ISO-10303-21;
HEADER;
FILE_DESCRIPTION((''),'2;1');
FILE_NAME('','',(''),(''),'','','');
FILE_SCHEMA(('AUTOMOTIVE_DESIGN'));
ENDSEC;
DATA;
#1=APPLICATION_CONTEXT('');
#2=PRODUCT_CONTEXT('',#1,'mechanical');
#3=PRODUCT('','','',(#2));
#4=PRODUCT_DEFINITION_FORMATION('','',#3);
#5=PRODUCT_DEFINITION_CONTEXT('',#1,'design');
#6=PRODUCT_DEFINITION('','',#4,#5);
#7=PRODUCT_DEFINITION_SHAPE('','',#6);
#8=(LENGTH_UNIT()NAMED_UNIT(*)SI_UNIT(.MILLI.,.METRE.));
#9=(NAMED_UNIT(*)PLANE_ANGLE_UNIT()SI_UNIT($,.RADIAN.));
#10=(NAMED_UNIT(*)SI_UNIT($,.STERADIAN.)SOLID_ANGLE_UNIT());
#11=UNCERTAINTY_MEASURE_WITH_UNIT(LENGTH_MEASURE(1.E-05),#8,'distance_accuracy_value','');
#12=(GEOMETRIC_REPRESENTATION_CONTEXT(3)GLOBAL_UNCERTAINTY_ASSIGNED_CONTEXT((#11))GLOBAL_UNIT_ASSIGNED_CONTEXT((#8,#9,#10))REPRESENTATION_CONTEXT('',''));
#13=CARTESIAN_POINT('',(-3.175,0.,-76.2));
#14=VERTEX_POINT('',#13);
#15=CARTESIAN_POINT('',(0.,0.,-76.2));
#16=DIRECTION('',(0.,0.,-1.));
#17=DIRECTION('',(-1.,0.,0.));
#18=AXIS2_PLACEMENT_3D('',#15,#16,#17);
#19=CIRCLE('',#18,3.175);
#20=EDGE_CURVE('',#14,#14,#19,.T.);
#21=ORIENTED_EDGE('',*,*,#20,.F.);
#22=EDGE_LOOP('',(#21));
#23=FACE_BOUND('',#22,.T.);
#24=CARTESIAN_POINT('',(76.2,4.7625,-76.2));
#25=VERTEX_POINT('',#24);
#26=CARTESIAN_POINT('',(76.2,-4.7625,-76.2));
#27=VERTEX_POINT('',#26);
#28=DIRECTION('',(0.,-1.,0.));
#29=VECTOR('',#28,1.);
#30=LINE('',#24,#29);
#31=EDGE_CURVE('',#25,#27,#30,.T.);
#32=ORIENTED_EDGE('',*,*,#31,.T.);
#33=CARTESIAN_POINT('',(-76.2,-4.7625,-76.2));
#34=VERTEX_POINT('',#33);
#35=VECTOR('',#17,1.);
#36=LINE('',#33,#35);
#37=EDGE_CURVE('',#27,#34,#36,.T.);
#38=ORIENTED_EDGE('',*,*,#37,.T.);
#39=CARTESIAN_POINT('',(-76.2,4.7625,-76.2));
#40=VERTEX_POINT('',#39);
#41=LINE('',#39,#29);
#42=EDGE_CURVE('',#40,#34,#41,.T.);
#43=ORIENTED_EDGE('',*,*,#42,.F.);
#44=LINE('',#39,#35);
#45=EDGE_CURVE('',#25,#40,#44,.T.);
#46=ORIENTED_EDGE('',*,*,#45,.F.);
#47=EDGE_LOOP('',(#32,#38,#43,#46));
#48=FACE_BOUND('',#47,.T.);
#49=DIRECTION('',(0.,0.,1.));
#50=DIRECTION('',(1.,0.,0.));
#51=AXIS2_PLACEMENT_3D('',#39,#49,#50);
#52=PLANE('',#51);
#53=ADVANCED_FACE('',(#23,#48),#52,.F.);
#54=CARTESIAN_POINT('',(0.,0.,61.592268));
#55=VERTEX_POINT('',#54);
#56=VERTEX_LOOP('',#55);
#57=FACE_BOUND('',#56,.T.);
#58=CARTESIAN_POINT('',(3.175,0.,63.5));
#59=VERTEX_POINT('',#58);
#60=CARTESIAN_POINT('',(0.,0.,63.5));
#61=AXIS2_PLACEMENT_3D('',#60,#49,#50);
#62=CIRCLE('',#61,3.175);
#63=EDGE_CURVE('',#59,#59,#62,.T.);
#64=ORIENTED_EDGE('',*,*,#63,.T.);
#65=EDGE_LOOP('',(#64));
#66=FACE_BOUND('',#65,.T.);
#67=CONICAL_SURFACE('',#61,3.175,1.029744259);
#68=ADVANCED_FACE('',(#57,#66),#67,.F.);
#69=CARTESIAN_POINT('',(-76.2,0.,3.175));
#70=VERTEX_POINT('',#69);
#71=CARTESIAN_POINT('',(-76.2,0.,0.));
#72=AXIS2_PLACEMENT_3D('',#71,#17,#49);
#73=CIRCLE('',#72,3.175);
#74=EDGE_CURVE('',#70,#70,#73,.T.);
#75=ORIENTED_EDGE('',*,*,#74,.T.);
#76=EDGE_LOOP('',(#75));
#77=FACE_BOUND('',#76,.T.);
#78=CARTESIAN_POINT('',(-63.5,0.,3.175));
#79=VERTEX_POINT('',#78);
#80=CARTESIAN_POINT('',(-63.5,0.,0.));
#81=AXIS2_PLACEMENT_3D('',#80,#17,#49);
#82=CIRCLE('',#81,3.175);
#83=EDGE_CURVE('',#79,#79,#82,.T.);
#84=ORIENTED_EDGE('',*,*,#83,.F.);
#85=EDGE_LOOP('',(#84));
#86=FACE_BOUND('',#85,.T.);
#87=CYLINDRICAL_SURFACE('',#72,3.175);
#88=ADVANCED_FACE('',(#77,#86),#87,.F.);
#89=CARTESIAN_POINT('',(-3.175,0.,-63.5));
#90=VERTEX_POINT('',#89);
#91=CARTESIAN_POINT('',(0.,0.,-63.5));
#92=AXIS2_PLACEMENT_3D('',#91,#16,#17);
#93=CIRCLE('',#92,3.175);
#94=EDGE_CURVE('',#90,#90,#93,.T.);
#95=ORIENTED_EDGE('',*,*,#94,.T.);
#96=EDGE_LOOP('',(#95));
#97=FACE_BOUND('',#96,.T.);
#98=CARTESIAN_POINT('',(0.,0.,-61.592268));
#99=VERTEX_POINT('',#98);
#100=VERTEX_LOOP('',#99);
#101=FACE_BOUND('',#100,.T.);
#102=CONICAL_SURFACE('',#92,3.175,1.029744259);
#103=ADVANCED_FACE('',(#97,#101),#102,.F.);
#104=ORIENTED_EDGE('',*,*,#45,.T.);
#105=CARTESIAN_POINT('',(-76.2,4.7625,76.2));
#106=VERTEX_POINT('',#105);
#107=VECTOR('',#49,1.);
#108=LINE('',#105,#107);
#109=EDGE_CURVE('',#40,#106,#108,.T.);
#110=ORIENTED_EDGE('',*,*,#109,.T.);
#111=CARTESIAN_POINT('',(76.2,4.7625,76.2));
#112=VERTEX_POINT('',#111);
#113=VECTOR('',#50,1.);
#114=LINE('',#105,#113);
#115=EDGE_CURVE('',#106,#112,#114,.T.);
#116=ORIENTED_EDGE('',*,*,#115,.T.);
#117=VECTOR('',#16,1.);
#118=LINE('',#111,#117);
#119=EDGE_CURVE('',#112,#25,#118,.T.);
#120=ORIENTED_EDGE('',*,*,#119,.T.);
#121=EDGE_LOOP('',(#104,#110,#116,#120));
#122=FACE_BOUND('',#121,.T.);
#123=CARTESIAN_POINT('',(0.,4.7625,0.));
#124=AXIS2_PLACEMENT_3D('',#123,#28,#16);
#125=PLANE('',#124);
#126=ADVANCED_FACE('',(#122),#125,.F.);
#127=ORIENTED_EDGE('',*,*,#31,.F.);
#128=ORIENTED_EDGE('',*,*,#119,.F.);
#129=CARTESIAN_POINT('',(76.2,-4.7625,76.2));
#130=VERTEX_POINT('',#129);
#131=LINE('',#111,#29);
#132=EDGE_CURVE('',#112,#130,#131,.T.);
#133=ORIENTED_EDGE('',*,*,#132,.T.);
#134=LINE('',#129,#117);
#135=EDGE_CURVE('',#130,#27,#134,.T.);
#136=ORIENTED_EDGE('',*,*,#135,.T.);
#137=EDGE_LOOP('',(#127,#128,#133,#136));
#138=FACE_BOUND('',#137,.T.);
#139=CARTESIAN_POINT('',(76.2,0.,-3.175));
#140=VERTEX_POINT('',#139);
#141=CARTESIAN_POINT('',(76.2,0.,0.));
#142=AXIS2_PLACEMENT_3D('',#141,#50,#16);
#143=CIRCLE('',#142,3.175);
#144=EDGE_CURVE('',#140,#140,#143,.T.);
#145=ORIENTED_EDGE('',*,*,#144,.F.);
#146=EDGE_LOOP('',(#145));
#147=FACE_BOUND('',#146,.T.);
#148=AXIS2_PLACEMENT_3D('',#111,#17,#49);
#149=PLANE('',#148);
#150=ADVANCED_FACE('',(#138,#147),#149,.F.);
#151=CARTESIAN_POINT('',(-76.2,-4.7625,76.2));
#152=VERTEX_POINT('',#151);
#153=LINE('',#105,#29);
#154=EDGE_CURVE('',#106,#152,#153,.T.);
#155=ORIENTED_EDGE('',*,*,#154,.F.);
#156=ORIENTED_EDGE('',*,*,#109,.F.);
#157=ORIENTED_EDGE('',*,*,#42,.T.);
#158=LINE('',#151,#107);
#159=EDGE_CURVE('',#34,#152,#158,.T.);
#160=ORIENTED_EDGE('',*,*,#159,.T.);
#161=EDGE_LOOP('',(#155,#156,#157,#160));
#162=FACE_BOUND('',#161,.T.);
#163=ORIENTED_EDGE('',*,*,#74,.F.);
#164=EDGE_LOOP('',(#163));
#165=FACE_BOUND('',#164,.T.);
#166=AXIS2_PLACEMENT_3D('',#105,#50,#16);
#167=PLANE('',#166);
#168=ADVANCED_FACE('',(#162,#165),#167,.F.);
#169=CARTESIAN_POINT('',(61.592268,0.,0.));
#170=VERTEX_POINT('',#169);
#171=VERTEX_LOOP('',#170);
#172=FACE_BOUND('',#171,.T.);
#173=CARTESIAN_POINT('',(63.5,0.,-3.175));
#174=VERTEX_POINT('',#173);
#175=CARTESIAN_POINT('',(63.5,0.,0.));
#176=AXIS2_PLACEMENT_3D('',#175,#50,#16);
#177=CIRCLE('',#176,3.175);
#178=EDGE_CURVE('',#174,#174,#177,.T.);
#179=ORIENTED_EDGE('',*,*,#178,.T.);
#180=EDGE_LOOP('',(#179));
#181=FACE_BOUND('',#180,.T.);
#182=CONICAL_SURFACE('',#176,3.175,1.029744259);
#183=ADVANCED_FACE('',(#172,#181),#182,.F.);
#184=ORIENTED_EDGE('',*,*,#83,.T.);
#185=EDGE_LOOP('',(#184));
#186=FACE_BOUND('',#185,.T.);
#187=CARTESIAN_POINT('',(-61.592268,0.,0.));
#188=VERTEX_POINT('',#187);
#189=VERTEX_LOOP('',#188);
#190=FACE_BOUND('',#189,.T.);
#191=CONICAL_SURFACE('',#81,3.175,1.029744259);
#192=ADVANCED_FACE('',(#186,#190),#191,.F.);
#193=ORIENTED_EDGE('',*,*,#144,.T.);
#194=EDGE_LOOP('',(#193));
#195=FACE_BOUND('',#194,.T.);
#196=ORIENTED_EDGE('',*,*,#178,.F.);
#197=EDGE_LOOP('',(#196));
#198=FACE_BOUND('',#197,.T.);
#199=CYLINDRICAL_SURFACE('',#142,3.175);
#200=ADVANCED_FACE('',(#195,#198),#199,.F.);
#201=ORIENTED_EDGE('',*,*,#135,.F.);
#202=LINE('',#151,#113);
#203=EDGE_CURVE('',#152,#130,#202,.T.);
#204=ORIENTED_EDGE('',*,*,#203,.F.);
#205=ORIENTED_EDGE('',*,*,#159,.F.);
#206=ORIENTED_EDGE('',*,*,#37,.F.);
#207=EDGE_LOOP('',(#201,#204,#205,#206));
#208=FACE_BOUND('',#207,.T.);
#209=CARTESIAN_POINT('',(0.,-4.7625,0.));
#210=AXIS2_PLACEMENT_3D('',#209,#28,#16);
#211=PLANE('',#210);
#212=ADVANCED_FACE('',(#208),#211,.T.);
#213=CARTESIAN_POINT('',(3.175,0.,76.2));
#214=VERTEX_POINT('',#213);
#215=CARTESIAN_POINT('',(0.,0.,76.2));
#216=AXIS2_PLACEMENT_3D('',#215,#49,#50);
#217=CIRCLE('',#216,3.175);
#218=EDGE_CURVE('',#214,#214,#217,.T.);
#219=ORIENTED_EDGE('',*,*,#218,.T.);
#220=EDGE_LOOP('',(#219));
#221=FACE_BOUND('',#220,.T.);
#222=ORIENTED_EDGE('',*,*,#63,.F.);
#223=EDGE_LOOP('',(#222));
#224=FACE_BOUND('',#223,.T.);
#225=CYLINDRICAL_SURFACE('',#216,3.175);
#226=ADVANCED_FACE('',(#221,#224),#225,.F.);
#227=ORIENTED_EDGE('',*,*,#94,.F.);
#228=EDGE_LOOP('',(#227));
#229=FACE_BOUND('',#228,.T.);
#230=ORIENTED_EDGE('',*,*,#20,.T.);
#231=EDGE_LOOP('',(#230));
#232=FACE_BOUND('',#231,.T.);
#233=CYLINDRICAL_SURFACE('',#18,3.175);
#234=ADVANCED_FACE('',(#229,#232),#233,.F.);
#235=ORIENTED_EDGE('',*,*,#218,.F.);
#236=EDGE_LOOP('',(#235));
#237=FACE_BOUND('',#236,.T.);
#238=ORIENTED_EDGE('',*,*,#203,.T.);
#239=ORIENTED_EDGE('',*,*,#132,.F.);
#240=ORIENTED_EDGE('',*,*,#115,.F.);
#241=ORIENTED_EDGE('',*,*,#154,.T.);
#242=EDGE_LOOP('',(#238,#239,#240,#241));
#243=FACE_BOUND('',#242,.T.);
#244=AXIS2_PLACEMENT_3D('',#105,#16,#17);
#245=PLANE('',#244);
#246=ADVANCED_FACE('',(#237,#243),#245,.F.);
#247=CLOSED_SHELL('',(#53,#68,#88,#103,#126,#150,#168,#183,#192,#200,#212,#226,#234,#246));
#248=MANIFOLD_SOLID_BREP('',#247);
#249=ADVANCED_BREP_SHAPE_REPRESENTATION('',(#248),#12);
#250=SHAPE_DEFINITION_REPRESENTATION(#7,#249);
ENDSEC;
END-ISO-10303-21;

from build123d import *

# Parameters (mm, degrees)
SKETCH1_W           = 152.4
SKETCH1_H           = 152.4
BOSS_EXTRUDE1_DEPTH = 4.7625
CIRPATTERN1_COUNT   = 4


with BuildPart() as part:
    # Sketch1 → Boss-Extrude1 (new, symmetric)
    with BuildSketch(Plane(origin=(0, 0, 0), x_dir=(1, 0, 0), z_dir=(0, 1, 0))):
        Rectangle(SKETCH1_W, SKETCH1_H)
    extrude(amount=BOSS_EXTRUDE1_DEPTH, both=True)

    # Sketch3 → 1/4 (0.25) Diameter Hole1 (revolve, cut)
    with BuildSketch(Plane(origin=(76.2, 0, 0), x_dir=(0, 0, -1), z_dir=(0, 1, 0))):
        Polygon((0, 0), (0, 14.607732465), (3.175, 12.7), (3.175, 0), align=None)
    f_1_4_0_25_diameter_hole1 = revolve(axis=Axis((82.55, 0, 0), (-1, 0, 0)), mode=Mode.SUBTRACT)

    # CirPattern1: 1/4 (0.25) Diameter Hole1 ×4 about axis
    cirpattern1_axis = Axis((0, 4.7625, 0), (0, 1, 0))
    for i in range(1, CIRPATTERN1_COUNT):
        add(f_1_4_0_25_diameter_hole1.rotate(cirpattern1_axis, i * 360 / CIRPATTERN1_COUNT), mode=Mode.SUBTRACT)


solid = part.part
